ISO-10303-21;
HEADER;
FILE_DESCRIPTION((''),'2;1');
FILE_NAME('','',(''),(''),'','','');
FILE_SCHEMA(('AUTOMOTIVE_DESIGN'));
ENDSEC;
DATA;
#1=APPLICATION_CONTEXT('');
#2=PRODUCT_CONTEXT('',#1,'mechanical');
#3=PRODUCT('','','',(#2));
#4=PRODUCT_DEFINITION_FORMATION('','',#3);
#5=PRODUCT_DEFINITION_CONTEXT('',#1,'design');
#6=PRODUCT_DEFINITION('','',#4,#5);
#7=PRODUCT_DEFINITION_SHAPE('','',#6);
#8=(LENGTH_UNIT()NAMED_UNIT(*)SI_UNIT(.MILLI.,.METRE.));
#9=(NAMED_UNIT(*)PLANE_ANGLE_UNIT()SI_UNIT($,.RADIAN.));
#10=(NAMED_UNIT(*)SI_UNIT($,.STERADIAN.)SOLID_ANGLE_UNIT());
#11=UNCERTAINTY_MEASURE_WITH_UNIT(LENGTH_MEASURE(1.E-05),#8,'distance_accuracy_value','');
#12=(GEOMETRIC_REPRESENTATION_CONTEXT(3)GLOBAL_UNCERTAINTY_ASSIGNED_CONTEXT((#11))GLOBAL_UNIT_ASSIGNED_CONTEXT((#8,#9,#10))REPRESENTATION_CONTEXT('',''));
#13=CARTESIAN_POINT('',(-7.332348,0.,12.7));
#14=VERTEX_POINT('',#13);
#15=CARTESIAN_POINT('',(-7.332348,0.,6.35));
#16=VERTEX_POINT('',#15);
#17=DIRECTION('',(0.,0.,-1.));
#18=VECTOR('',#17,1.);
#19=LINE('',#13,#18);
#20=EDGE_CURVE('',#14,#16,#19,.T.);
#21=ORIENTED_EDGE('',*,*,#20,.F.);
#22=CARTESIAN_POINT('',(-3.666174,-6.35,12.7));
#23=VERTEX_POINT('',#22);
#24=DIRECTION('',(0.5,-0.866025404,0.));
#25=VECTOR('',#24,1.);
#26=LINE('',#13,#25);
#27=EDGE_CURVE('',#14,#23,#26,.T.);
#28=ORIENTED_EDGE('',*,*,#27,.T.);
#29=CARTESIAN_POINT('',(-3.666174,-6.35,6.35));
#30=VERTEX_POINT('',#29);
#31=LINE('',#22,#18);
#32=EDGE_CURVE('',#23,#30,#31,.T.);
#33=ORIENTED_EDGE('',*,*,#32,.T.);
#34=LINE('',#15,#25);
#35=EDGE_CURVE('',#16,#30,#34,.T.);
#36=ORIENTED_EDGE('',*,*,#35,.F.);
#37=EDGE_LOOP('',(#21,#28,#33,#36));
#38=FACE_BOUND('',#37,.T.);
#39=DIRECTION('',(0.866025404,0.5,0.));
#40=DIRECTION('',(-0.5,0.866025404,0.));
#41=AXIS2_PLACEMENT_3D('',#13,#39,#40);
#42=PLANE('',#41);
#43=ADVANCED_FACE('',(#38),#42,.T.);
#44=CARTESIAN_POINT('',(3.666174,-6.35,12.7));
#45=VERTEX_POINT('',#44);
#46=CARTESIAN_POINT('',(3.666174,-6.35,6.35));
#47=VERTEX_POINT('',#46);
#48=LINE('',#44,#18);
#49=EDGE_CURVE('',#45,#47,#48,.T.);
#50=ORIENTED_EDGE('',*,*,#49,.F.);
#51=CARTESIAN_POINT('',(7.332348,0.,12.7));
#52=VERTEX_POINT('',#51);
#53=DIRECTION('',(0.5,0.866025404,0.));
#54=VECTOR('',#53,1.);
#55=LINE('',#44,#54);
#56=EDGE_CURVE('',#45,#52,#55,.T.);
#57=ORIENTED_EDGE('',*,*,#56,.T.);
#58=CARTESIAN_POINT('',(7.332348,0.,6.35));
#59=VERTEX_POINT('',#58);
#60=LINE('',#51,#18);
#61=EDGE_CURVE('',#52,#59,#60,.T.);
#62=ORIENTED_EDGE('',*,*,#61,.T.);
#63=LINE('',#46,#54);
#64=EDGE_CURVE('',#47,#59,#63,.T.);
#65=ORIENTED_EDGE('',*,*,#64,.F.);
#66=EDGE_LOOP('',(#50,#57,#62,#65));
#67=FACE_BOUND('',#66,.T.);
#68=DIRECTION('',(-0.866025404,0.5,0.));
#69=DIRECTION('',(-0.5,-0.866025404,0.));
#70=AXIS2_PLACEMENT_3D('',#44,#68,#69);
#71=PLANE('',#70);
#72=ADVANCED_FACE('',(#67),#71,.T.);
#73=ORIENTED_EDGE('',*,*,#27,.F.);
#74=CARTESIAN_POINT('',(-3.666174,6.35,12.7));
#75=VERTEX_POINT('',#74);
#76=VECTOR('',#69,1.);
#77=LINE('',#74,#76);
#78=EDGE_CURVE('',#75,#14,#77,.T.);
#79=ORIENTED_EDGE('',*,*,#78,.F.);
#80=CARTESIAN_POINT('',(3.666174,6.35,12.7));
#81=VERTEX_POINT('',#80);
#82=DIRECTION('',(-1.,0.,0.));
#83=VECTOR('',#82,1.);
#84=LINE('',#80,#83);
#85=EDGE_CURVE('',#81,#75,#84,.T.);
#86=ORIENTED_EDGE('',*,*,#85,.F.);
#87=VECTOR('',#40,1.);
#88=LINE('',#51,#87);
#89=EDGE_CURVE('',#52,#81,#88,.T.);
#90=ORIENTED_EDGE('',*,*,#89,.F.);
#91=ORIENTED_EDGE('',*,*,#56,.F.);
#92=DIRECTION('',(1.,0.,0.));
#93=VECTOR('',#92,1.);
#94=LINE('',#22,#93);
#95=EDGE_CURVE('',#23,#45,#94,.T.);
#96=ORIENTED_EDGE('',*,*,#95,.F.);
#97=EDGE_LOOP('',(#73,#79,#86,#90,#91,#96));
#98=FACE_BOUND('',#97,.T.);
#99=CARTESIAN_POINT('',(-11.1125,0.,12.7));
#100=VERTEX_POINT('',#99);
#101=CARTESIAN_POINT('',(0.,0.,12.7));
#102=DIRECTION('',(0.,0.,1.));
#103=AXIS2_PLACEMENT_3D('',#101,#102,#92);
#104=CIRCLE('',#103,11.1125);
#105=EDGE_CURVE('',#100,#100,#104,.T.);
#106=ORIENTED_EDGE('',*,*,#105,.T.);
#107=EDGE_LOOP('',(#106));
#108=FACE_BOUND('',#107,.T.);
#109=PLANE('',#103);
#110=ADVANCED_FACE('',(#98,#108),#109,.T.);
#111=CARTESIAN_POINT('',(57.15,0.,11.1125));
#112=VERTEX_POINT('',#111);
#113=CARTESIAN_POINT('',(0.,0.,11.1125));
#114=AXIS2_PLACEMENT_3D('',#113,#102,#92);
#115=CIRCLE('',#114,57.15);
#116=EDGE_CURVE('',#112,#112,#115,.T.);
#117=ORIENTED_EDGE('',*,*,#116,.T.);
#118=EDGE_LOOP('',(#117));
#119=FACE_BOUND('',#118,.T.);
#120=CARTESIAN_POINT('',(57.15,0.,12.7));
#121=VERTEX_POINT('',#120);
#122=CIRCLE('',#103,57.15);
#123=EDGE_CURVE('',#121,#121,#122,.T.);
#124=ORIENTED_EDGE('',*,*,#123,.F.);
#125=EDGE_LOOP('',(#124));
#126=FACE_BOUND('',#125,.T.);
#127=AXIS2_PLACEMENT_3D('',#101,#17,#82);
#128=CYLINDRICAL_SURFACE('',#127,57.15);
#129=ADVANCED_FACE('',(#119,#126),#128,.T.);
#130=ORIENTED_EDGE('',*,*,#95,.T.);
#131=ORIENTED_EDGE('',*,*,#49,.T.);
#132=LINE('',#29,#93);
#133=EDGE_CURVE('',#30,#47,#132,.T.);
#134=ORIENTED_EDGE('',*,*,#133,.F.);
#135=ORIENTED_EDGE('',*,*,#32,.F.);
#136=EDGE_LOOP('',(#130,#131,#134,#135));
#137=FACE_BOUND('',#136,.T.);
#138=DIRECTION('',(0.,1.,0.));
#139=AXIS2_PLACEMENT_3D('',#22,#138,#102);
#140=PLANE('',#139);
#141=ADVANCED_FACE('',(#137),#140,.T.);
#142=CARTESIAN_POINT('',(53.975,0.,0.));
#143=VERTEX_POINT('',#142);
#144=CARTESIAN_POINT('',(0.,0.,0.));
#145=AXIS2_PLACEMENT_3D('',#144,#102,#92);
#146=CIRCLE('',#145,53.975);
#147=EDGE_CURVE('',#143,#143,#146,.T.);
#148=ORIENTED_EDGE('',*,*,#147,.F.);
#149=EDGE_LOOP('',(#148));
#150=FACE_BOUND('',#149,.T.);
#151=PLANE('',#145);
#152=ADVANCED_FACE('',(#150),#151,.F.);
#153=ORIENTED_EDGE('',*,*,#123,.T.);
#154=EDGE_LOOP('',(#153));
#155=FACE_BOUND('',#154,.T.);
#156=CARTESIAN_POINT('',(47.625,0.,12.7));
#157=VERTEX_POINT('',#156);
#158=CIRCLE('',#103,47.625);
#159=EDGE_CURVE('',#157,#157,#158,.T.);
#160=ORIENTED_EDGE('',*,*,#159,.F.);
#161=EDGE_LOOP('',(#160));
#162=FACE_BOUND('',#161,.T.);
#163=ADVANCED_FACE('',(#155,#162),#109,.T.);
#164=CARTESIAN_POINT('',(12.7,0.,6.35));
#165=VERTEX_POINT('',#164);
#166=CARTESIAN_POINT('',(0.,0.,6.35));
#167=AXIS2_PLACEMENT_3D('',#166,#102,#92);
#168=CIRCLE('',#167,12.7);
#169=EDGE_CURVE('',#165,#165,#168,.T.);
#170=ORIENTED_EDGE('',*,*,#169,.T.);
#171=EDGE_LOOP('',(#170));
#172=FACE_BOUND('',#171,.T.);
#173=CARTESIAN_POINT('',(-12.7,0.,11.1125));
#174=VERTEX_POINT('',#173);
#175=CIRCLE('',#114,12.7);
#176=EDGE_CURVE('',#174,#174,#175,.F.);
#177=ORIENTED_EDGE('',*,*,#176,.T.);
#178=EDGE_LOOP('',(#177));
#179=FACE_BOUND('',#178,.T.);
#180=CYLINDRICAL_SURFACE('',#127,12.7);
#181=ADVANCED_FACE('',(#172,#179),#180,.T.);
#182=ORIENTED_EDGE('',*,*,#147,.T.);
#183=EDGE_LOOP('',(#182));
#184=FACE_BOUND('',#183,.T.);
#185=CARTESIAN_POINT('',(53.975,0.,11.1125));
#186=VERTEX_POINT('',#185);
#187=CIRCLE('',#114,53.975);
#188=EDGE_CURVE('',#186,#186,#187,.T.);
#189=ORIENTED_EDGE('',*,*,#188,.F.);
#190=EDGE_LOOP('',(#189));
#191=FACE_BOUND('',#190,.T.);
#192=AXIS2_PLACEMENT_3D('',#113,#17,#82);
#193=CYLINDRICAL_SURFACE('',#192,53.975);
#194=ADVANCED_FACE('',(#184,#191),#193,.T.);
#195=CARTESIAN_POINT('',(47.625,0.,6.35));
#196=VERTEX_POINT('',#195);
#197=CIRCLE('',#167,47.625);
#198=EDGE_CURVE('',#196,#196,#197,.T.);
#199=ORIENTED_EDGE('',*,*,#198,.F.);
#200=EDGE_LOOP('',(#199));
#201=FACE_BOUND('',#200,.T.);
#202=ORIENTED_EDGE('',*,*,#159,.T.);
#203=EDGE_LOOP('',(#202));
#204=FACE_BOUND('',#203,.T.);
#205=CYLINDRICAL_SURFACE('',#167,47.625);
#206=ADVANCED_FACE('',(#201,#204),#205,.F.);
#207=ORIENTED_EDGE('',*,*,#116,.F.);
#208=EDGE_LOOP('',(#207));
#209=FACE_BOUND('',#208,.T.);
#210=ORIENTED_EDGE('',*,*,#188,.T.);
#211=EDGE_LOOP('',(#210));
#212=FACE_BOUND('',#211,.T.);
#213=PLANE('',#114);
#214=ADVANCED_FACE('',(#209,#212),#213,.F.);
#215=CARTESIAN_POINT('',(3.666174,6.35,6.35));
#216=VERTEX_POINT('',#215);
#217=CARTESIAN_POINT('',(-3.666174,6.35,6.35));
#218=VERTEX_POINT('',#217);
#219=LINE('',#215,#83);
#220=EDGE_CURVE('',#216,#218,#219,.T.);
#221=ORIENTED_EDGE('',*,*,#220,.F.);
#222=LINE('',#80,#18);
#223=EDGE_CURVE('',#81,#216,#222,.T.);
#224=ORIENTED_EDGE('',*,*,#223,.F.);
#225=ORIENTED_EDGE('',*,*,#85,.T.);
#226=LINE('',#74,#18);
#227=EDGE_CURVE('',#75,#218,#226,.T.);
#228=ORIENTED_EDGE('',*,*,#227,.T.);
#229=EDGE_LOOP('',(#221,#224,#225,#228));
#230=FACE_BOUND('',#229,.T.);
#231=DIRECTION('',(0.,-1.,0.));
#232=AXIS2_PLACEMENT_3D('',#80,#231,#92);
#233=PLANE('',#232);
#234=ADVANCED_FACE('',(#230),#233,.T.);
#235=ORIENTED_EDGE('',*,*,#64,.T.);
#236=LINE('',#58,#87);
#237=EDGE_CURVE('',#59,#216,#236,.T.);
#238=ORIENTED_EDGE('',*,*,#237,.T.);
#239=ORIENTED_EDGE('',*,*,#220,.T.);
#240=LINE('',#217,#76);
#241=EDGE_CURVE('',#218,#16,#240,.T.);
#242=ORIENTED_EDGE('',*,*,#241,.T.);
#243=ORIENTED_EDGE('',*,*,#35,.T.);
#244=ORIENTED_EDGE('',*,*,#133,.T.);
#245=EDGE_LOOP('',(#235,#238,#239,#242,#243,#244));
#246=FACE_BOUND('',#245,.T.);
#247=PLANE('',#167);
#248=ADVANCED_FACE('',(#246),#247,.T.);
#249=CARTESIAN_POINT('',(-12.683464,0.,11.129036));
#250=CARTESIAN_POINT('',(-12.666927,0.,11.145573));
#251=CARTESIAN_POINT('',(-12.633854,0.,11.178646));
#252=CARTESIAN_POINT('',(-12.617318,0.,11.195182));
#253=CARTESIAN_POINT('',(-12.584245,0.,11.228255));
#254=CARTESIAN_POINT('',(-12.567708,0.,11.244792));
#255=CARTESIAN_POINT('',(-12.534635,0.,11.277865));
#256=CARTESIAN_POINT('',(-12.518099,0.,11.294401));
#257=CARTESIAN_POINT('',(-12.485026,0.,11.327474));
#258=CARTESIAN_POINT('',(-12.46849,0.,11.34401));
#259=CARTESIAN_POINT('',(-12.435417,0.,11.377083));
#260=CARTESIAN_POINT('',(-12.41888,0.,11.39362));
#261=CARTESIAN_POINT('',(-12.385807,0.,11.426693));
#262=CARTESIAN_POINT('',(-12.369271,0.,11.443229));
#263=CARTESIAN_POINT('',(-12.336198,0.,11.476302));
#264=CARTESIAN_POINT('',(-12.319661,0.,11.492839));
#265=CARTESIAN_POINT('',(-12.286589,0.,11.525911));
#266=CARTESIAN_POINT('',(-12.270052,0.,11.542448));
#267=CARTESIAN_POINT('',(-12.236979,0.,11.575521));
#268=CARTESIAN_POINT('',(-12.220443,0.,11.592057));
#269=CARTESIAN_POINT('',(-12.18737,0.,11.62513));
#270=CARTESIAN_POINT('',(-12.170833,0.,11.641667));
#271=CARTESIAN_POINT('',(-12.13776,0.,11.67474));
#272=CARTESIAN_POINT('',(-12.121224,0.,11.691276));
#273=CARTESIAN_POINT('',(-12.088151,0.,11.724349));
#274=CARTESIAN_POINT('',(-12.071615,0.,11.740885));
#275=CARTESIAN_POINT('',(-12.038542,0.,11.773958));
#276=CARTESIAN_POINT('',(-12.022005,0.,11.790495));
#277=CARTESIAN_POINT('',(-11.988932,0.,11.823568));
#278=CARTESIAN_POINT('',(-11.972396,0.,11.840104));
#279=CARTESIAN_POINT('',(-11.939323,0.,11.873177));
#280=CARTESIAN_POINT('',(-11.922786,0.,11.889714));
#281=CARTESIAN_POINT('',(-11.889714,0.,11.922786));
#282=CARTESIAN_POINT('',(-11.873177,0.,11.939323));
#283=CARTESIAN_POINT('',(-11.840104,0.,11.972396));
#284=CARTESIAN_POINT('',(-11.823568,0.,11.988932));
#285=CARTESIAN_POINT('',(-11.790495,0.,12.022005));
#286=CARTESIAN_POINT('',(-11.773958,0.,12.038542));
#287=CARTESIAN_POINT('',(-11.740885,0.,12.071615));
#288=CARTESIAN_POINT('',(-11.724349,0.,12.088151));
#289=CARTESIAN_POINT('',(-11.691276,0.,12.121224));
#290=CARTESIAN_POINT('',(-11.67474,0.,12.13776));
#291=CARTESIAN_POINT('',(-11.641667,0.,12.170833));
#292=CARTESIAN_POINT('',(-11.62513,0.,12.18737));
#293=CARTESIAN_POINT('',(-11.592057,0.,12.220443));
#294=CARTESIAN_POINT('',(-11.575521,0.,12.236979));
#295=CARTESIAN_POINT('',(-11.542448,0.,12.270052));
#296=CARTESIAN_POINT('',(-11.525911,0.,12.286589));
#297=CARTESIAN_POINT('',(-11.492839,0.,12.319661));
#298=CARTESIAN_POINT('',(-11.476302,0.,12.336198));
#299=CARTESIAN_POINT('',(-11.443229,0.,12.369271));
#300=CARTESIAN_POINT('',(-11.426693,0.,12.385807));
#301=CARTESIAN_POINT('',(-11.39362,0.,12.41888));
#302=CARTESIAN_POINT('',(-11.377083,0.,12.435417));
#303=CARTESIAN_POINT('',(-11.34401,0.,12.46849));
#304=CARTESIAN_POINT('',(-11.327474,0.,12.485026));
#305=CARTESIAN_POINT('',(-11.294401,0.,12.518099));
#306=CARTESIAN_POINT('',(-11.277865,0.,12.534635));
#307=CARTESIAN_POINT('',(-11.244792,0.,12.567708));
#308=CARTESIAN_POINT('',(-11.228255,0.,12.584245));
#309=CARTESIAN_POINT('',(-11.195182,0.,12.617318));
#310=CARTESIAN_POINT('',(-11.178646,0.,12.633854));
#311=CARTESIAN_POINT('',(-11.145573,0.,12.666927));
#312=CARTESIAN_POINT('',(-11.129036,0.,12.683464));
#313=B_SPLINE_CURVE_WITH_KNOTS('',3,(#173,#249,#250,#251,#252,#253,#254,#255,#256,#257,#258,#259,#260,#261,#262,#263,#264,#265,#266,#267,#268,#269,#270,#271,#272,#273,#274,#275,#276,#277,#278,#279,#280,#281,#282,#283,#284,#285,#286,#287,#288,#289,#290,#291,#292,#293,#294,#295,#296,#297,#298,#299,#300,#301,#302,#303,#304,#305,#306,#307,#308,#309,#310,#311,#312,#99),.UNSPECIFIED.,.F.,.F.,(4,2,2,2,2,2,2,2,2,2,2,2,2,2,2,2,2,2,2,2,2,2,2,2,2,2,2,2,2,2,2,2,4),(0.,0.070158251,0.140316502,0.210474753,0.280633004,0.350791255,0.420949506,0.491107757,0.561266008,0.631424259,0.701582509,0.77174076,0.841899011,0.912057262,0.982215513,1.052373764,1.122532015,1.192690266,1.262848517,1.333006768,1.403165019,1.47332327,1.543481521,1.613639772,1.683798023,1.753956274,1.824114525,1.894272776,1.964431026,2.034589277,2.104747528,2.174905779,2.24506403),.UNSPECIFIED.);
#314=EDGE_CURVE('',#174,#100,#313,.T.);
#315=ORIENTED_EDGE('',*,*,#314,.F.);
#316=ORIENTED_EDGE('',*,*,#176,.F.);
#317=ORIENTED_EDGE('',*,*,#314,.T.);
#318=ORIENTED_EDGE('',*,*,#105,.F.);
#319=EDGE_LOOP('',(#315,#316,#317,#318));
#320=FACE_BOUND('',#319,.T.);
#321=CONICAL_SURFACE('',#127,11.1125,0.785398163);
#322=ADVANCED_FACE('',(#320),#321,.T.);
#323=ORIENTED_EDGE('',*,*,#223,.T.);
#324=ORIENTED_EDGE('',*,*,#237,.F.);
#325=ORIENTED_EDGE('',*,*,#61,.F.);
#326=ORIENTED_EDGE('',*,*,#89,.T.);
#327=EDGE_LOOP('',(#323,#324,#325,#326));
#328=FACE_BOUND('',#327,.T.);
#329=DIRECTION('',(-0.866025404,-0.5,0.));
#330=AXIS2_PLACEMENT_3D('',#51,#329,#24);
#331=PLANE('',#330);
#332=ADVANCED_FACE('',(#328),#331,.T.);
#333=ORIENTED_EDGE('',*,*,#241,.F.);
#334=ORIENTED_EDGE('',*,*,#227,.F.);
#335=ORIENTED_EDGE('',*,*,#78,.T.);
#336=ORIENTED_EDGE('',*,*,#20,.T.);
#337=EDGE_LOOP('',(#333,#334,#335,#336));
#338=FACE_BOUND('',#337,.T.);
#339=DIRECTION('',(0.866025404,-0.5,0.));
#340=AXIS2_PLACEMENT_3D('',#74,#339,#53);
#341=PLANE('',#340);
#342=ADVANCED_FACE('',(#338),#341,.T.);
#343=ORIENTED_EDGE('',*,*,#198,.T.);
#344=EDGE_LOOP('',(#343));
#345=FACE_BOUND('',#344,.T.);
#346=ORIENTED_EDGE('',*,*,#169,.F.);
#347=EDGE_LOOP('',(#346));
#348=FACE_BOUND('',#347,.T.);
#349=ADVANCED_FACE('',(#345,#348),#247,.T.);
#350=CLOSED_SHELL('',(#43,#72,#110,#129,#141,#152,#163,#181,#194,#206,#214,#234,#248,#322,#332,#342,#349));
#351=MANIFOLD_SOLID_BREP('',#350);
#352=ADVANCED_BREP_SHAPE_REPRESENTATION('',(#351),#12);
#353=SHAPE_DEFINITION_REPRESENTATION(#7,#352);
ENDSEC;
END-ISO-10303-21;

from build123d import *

# Parameters (mm, degrees)
SKETCH1_R           = 53.975
BOSS_EXTRUDE1_DEPTH = 11.1125
SKETCH2_R           = 57.15
BOSS_EXTRUDE2_DEPTH = 1.5875
SKETCH3_R           = 47.625
CUT_EXTRUDE1_DEPTH  = 6.35
SKETCH4_R           = 12.7
BOSS_EXTRUDE3_DEPTH = 6.35
CHAMFER2_SIZE       = 1.5875


with BuildPart() as part:
    # Sketch1 → Boss-Extrude1 (new body)
    with BuildSketch(Plane.XY):
        Circle(SKETCH1_R)
    extrude(amount=BOSS_EXTRUDE1_DEPTH)

    # Sketch2 → Boss-Extrude2 (add)
    with BuildSketch(Plane.XY.offset(11.1125)):
        Circle(SKETCH2_R)
    extrude(amount=BOSS_EXTRUDE2_DEPTH)

    # Sketch3 → Cut-Extrude1 (cut)
    with BuildSketch(Plane.XY.offset(12.7)):
        Circle(SKETCH3_R)
    extrude(amount=-CUT_EXTRUDE1_DEPTH, mode=Mode.SUBTRACT)

    # Sketch4 → Boss-Extrude3 (add)
    with BuildSketch(Plane.XY.offset(6.35)):
        Circle(SKETCH4_R)
        Polygon((7.332348419, 0), (3.666174209, 6.35), (-3.666174209, 6.35), (-7.332348419, 0), (-3.666174209, -6.35), (3.666174209, -6.35), align=None, mode=Mode.SUBTRACT)
    extrude(amount=BOSS_EXTRUDE3_DEPTH)

    # Chamfer2
    chamfer2_edges = [part.edges().sort_by_distance(p)[0] for p in [
        (-12.7, 0, 12.7),
    ]]
    chamfer(chamfer2_edges, length=CHAMFER2_SIZE)


solid = part.part
